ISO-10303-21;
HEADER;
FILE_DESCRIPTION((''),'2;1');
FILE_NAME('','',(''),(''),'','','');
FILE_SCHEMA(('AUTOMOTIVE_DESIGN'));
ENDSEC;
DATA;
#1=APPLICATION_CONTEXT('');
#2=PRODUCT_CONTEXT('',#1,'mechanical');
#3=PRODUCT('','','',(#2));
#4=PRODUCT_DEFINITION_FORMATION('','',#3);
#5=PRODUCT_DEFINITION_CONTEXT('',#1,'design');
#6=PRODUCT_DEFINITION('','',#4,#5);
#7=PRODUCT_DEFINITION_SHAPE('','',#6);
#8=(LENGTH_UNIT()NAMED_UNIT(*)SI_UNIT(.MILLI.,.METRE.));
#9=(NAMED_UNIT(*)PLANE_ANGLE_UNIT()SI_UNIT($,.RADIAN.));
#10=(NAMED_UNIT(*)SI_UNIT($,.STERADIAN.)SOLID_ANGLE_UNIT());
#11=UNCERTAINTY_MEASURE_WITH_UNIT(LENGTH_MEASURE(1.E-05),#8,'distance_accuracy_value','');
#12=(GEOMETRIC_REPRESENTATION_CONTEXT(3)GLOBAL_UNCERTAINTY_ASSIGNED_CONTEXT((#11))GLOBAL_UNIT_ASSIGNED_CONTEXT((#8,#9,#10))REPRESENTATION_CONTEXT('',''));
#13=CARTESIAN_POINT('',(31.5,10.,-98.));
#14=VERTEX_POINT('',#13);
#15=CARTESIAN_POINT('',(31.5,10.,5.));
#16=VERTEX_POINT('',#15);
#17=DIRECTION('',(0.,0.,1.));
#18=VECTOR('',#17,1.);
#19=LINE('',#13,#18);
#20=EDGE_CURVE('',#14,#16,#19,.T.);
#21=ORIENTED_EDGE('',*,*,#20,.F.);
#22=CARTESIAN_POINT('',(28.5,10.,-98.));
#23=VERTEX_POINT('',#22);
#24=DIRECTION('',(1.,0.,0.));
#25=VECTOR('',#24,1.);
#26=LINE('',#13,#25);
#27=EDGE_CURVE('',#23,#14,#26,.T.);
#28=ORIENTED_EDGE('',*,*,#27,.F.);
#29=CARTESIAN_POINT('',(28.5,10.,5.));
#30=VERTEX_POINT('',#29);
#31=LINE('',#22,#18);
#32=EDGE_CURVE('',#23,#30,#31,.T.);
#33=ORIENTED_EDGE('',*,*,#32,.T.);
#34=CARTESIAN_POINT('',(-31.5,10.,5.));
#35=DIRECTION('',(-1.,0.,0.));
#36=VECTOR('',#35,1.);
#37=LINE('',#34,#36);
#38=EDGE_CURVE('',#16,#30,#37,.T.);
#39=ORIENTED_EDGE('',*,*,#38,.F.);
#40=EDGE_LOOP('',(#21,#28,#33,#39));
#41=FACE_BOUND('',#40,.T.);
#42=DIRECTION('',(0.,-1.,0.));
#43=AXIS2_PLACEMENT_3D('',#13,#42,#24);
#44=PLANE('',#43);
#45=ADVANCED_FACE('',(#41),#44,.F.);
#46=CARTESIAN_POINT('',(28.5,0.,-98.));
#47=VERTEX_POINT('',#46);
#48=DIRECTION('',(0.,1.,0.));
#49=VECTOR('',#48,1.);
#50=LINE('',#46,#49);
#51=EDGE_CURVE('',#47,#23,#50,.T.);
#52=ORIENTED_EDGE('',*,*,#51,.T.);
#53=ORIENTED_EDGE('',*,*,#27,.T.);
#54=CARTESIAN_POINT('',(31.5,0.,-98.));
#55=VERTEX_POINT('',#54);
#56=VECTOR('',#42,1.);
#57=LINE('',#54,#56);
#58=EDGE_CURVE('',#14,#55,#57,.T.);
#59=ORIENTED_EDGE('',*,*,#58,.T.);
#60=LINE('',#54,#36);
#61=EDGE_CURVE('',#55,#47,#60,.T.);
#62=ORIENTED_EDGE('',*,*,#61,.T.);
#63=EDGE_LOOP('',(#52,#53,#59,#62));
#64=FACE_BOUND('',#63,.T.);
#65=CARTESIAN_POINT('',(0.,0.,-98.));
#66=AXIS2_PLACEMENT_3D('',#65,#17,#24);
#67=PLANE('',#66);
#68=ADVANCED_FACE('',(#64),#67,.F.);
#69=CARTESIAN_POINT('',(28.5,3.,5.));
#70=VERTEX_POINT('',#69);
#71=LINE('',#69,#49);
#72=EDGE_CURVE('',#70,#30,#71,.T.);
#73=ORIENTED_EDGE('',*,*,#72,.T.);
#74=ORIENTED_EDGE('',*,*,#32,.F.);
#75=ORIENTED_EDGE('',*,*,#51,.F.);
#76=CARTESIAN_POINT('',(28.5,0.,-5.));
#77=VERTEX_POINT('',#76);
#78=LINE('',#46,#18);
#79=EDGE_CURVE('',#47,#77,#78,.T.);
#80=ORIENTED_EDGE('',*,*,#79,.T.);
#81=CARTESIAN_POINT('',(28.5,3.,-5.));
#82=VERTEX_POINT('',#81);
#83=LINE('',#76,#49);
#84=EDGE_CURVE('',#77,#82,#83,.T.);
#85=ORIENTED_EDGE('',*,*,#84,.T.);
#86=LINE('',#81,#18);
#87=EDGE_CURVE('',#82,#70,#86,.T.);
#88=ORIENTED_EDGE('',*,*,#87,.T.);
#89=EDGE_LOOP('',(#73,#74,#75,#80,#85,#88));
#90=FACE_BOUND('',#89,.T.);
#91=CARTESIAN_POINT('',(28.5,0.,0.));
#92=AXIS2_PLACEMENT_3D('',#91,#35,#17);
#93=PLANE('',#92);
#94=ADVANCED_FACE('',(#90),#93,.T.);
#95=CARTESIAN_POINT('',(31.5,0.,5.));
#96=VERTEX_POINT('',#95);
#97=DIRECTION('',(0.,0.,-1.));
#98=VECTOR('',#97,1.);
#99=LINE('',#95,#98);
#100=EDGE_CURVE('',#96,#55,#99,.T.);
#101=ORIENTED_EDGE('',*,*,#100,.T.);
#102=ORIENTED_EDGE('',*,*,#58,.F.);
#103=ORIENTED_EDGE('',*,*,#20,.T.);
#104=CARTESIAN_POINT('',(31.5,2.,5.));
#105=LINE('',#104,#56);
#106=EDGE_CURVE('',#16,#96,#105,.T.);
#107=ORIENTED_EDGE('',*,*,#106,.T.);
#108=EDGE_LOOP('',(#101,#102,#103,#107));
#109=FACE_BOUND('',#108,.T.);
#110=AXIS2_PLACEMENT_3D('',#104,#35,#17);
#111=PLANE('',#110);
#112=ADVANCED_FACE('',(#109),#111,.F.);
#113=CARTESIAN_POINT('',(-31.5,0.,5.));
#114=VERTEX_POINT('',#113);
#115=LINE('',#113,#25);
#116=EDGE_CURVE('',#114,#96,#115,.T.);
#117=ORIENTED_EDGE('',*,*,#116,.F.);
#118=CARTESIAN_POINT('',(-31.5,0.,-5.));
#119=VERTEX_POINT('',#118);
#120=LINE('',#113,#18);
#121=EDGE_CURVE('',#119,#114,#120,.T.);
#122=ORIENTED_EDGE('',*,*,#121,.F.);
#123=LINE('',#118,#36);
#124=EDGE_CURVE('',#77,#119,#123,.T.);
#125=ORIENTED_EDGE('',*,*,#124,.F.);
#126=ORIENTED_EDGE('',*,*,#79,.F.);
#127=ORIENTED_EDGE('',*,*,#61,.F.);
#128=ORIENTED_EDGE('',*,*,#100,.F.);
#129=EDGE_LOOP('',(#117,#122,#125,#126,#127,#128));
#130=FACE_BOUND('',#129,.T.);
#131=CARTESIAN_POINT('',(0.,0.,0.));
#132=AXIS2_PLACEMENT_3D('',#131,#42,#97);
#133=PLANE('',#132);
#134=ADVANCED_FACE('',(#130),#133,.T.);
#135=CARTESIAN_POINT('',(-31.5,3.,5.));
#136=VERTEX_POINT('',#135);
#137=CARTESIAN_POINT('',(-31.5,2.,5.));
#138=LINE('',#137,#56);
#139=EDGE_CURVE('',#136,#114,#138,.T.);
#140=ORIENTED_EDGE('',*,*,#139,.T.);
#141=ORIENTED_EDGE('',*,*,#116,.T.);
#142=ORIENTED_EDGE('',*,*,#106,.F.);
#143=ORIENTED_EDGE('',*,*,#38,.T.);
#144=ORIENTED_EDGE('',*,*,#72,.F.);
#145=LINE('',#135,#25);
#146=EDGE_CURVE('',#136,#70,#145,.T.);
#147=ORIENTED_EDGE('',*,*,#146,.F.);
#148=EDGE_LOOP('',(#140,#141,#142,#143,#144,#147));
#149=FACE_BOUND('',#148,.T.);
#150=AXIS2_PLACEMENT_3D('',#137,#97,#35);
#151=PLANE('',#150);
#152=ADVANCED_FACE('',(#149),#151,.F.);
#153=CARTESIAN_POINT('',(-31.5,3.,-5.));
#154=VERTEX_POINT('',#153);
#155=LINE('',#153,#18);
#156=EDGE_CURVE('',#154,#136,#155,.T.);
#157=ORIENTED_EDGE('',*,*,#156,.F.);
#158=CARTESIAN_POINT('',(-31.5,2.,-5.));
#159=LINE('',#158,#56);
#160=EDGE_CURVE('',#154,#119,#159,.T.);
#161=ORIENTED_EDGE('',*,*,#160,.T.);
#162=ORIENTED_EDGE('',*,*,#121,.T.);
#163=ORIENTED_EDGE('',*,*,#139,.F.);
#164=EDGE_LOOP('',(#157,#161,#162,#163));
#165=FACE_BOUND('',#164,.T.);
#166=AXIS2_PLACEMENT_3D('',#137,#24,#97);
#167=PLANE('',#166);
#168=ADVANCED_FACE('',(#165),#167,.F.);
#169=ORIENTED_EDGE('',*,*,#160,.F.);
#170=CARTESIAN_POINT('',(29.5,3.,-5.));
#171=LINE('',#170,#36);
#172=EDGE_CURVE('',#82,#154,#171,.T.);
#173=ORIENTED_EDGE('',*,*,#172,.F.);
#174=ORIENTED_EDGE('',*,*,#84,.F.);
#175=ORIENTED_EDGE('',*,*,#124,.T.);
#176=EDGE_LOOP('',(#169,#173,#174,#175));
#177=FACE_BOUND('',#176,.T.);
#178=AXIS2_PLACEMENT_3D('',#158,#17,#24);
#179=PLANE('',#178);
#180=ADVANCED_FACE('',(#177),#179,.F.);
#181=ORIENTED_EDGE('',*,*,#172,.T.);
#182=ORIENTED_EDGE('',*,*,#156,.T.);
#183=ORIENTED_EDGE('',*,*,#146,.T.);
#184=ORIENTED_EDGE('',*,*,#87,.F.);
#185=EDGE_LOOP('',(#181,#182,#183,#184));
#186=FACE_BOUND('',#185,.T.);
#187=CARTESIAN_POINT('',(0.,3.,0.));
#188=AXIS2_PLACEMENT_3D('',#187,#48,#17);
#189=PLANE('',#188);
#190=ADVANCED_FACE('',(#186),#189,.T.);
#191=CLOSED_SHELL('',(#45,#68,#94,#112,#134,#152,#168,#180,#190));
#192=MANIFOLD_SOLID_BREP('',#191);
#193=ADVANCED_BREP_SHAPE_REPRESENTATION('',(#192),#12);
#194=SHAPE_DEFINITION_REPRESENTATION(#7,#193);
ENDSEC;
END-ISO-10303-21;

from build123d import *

# Parameters (mm, degrees)
SKETCH_1_W          = 63
SKETCH_1_H          = 10
EXTRUDE_1_DEPTH     = 2
SKETCH_4_W          = 2
SKETCH_4_H          = 10
EXTRUDE_2_DEPTH     = 93
SKETCH_5_W          = 61
SKETCH_5_H          = 10
EXTRUDE_3_DEPTH     = 1
SKETCH_6_W          = 10
SKETCH_6_H          = 92
EXTRUDE_4_DEPTH     = 1
SKETCH_7_W          = 3
SKETCH_7_H          = 10
EXTRUDE_5_DEPTH     = 93
SKETCH_10_W         = 26.594312394
SKETCH_10_H         = 101.559656513
CUT_EXTRUDE_1_DEPTH = 93


with BuildPart() as part:
    # 草图1 → 凸台-拉伸1 (new body)
    with BuildSketch(Plane(origin=(0, 0, 0), x_dir=(1, 0, 0), z_dir=(0, 1, 0))):
        Rectangle(SKETCH_1_W, SKETCH_1_H)
    extrude(amount=EXTRUDE_1_DEPTH)

    # 草图4 → 凸台-拉伸2 (add)
    with BuildSketch(Plane(origin=(0, 2, 0), x_dir=(1, 0, 0), z_dir=(0, 1, 0))):
        with Locations((30.5, 0)):
            Rectangle(SKETCH_4_W, SKETCH_4_H)
    extrude(amount=EXTRUDE_2_DEPTH)

    # 草图5 → 凸台-拉伸3 (add)
    with BuildSketch(Plane(origin=(0, 2, 0), x_dir=(1, 0, 0), z_dir=(0, 1, 0))):
        with Locations((-1, 0)):
            Rectangle(SKETCH_5_W, SKETCH_5_H)
    extrude(amount=EXTRUDE_3_DEPTH)

    # 草图6 → 凸台-拉伸4 (add)
    with BuildSketch(Plane.ZY.offset(-29.5)):
        with Locations((0, 49)):
            Rectangle(SKETCH_6_W, SKETCH_6_H)
    extrude(amount=EXTRUDE_4_DEPTH)

    # 草图7 → 凸台-拉伸5 (add)
    with BuildSketch(Plane(origin=(0, 0, -5), x_dir=(-1, 0, 0), z_dir=(0, 0, -1))):
        with Locations((-30, 5)):
            Rectangle(SKETCH_7_W, SKETCH_7_H)
    extrude(amount=EXTRUDE_5_DEPTH)

    # 草图10 → 切除-拉伸1 (cut)
    with BuildSketch(Plane.ZY.offset(-28.5)):
        with Locations((8.297156197, 60.779828257)):
            Rectangle(SKETCH_10_W, SKETCH_10_H)
    extrude(amount=-CUT_EXTRUDE_1_DEPTH, mode=Mode.SUBTRACT)


solid = part.part
